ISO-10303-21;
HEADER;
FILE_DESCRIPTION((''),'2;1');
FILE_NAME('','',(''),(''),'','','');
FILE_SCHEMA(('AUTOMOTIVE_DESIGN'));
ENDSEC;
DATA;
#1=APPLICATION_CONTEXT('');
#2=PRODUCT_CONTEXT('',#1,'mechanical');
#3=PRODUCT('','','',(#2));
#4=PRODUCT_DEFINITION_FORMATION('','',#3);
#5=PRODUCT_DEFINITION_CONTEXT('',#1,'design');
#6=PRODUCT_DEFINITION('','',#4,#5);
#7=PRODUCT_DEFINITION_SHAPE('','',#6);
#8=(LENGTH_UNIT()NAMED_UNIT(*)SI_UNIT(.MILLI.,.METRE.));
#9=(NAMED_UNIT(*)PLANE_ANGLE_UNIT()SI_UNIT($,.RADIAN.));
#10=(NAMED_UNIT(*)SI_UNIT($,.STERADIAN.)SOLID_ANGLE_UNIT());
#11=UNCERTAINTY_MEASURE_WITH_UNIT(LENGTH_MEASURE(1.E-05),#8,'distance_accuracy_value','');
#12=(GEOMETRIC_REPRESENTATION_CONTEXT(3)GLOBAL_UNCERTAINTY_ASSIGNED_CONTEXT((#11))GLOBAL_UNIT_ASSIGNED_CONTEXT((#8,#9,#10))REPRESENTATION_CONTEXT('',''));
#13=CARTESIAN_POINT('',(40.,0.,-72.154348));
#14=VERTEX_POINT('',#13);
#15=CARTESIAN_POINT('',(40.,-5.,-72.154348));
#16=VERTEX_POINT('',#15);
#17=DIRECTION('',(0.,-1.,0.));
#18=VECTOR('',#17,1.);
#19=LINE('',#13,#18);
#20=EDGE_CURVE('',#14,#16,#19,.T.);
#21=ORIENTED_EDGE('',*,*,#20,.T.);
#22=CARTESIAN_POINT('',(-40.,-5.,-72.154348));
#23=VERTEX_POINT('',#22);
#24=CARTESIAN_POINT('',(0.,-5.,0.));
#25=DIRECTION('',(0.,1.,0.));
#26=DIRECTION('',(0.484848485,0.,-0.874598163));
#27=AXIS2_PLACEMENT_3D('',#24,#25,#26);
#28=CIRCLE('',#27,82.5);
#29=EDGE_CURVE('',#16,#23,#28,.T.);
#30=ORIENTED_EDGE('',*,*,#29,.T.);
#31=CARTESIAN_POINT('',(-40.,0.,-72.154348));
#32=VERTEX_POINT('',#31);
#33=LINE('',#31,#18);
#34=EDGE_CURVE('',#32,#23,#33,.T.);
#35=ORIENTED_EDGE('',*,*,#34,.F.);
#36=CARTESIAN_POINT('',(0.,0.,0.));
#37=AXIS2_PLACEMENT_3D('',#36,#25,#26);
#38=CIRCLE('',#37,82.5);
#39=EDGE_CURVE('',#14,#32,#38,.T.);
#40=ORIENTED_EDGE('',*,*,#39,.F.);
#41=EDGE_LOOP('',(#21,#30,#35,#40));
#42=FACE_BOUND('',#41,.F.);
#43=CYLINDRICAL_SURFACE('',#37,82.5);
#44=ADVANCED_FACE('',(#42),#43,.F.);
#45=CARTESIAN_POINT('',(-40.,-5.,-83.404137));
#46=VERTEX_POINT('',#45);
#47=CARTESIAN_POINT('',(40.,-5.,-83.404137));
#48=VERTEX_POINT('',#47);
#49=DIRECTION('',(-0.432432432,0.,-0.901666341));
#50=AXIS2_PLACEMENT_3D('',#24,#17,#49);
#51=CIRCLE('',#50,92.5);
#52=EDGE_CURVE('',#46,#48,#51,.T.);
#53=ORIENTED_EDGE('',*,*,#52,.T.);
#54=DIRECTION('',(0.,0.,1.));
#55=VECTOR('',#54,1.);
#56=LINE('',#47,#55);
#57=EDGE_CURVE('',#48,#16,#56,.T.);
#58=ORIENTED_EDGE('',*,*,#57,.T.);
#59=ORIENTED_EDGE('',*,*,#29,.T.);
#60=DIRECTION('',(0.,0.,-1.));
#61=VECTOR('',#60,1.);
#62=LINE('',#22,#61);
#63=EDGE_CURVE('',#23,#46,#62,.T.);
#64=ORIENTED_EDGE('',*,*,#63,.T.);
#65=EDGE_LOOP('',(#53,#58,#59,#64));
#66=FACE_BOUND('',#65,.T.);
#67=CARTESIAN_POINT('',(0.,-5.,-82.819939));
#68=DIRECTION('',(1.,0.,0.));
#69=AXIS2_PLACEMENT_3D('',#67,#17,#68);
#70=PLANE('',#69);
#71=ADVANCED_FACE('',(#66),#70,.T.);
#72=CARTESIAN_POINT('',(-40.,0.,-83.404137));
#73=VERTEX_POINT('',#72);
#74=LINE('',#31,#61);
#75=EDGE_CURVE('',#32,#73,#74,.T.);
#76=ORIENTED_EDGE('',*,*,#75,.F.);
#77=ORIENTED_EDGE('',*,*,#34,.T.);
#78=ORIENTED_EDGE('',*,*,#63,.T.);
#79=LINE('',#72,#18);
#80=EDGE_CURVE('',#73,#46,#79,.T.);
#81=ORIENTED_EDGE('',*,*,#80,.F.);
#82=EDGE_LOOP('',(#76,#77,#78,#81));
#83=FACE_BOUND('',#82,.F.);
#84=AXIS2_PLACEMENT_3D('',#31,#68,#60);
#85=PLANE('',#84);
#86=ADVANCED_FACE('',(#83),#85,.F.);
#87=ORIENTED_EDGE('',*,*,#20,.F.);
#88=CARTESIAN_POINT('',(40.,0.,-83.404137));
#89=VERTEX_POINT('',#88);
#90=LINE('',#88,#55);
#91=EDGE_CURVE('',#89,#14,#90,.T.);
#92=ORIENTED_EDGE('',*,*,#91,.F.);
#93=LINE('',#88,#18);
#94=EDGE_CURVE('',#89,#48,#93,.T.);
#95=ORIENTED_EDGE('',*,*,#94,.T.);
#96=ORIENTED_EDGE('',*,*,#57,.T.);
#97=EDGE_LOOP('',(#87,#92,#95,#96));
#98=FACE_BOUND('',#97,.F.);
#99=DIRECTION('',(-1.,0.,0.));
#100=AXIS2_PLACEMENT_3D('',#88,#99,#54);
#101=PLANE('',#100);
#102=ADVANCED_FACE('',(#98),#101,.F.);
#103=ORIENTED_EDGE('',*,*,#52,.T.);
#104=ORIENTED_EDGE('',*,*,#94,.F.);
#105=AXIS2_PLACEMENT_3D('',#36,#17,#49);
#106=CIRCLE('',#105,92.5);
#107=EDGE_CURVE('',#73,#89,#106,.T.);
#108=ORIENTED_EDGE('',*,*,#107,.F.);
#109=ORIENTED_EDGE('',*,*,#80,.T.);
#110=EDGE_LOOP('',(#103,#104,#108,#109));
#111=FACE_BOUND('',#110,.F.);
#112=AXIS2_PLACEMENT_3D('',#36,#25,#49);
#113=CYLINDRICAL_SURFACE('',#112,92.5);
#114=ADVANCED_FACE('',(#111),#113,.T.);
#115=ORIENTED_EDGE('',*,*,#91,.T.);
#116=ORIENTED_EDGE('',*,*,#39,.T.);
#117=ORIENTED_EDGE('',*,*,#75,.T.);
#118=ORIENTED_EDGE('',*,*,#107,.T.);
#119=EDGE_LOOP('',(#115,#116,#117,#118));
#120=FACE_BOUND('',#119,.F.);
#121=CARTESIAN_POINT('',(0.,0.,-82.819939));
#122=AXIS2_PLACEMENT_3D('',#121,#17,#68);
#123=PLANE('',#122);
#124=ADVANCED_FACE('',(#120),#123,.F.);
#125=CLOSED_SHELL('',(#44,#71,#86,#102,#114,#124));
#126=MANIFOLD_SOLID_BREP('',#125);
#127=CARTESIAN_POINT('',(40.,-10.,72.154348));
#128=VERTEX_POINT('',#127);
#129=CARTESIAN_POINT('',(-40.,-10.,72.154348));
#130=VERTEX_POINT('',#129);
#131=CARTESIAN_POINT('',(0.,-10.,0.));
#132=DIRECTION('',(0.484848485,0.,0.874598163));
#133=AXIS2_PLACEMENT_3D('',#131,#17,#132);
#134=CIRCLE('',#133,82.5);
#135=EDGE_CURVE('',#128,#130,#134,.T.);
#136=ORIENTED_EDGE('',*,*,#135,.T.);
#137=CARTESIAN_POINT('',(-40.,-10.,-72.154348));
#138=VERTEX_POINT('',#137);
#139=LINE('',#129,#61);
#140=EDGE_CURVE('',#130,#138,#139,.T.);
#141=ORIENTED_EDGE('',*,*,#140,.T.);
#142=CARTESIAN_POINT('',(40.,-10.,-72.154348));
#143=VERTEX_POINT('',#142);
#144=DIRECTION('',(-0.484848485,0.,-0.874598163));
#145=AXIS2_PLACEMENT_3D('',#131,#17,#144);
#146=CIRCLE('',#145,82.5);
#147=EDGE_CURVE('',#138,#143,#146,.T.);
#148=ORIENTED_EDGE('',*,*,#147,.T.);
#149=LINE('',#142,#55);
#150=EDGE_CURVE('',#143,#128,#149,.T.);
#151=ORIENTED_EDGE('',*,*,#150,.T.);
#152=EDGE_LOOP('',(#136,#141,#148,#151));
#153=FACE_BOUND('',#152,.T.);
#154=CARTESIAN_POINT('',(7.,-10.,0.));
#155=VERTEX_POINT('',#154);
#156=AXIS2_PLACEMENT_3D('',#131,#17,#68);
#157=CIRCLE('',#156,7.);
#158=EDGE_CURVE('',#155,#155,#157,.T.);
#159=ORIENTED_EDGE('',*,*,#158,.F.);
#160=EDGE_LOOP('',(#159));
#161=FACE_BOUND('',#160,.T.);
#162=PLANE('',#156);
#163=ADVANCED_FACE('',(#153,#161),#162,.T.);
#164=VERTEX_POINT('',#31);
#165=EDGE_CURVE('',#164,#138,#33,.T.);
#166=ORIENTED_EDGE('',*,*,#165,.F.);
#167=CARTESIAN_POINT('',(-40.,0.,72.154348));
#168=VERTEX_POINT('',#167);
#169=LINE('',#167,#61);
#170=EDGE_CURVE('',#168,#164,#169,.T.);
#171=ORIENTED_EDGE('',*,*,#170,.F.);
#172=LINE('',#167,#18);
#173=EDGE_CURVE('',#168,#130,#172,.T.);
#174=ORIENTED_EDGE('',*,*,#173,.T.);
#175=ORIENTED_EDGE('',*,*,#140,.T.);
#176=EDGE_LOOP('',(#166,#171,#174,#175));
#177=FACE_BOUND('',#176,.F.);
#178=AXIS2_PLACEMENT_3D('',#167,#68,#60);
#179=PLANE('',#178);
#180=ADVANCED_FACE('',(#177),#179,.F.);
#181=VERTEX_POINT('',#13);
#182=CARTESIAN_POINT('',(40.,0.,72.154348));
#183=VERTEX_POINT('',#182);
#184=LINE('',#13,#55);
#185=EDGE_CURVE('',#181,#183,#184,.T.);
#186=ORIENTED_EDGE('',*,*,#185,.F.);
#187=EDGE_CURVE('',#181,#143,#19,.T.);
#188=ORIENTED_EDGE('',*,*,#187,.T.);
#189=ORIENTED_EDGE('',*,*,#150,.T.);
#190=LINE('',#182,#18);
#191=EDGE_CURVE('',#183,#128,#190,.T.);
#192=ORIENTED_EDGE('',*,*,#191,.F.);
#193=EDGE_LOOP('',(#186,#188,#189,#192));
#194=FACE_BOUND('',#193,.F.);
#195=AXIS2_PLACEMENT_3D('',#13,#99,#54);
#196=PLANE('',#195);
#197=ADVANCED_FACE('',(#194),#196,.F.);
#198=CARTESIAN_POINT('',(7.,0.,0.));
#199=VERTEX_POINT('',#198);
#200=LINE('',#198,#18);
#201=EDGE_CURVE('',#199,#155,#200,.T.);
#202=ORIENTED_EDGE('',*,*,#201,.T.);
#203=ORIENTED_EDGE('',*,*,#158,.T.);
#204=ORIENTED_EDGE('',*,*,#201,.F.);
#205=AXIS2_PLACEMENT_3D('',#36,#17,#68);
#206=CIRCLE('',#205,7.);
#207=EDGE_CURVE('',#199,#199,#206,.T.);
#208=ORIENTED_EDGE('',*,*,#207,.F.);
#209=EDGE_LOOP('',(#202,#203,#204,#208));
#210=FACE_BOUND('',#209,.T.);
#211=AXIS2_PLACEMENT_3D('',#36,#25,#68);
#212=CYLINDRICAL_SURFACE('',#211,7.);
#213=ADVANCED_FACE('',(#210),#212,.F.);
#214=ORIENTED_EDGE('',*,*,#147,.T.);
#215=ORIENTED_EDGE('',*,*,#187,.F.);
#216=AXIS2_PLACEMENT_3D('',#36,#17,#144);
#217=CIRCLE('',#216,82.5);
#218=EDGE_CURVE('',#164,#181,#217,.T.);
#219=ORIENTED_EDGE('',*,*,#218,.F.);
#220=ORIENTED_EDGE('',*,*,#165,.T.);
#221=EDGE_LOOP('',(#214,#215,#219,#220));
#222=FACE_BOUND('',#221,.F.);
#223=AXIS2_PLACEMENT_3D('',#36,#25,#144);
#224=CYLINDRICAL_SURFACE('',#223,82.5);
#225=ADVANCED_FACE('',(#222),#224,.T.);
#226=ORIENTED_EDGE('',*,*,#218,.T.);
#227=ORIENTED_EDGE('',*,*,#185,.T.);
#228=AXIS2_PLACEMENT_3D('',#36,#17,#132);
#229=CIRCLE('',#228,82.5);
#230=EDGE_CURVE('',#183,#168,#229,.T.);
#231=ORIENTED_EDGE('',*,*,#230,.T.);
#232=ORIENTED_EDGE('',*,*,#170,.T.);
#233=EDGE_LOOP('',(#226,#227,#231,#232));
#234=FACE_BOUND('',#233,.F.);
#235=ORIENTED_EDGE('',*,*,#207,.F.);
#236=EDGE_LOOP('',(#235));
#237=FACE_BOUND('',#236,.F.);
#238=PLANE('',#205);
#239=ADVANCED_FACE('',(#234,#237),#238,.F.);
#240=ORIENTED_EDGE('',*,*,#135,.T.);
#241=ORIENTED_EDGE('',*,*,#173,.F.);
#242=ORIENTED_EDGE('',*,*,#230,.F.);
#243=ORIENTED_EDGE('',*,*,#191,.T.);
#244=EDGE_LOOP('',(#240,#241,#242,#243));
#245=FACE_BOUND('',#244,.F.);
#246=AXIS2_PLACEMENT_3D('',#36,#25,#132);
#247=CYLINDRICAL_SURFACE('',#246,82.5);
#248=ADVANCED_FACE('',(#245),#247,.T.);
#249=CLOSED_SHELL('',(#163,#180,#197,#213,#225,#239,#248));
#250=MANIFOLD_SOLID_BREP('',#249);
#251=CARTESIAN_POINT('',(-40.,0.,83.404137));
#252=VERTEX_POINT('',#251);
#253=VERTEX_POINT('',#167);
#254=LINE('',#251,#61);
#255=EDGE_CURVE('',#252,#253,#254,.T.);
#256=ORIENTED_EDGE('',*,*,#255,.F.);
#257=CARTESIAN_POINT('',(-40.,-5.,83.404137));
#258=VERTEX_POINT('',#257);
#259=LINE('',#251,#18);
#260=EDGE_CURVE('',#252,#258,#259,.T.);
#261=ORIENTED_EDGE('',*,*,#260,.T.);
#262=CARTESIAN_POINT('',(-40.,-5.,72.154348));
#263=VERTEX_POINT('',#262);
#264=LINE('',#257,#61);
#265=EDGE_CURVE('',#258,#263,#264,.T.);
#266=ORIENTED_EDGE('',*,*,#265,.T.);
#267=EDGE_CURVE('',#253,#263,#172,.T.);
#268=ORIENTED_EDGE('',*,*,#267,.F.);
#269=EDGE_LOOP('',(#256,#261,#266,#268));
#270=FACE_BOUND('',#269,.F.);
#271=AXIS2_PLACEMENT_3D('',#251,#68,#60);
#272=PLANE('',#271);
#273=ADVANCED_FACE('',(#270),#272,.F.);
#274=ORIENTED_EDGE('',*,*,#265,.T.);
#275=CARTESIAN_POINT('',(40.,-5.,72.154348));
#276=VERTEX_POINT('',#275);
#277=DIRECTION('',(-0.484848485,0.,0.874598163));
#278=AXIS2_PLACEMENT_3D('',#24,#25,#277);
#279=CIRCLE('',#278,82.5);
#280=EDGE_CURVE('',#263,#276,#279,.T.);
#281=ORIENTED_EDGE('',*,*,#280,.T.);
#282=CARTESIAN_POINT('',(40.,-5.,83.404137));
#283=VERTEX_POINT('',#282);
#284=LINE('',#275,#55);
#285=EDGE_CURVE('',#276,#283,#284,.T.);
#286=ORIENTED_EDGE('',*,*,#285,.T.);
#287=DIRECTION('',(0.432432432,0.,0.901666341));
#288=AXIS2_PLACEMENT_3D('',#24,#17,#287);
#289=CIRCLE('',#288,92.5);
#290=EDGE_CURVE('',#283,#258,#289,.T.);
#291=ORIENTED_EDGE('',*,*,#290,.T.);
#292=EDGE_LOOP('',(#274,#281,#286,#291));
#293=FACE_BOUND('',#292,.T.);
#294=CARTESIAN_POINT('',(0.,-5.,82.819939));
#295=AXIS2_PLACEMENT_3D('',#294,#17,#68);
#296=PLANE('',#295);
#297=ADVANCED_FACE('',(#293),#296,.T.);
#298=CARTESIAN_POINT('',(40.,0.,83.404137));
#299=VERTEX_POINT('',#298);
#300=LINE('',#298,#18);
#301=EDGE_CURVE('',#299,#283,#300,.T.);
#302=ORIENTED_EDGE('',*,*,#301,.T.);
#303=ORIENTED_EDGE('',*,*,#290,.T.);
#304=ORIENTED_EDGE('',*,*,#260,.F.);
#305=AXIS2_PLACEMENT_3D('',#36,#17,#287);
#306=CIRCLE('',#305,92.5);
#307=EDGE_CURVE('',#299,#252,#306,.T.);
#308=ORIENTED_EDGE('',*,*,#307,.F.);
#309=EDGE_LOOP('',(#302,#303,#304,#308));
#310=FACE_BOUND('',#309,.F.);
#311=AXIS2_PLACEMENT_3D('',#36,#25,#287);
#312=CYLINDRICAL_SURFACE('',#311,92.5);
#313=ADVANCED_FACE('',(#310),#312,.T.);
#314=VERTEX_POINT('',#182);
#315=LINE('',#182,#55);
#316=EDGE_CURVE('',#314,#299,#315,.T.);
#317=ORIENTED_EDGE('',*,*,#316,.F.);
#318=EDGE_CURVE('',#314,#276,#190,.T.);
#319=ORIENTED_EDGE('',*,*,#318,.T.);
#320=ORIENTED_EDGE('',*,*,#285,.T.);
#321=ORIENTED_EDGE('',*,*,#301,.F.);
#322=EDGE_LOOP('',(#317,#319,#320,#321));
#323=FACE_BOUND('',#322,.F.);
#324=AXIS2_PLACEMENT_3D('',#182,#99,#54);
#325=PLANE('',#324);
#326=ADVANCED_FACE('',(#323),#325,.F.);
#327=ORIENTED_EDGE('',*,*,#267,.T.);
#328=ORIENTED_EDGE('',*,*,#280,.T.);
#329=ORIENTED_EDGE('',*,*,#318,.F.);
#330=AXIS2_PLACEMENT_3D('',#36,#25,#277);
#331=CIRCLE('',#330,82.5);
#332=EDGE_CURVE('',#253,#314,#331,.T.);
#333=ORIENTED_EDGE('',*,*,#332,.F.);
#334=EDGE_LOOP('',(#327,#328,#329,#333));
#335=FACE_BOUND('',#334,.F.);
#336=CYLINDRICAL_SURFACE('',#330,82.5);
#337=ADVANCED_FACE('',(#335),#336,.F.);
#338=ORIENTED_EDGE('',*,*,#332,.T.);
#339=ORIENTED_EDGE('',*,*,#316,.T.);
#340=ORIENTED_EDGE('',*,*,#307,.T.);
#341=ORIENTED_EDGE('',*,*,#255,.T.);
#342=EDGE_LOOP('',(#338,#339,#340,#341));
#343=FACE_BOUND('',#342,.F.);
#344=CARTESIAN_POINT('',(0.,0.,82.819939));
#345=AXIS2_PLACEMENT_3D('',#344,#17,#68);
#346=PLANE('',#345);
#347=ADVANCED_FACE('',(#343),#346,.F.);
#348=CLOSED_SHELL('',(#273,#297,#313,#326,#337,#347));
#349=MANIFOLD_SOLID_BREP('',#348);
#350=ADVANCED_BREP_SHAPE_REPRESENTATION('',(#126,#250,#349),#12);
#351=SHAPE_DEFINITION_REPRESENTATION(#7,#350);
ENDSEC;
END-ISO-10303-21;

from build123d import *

# Parameters (mm, degrees)
F1_DEPTH = 5
F0_R     = 7
F2_DEPTH = 10


with BuildPart() as f1:
    # F0 (on Front) → F1 (new body)
    with BuildSketch(Plane.XZ):
        with BuildLine():
            Line((40, 72.1543484483), (40, 83.4041365881))
            ThreePointArc((40, 83.4041365881), (0, 92.5), (-40, 83.4041365881))
            Line((-40, 83.4041365881), (-40, 72.1543484483))
            ThreePointArc((-40, 72.1543484483), (0, 82.5), (40, 72.1543484483))
        make_face()
    extrude(amount=F1_DEPTH)


with BuildPart() as f1b:
    # F0 (on Front) → F1, piece 2 (new body)
    with BuildSketch(Plane.XZ):
        with BuildLine():
            ThreePointArc((-40, -83.4041365881), (0, -92.5), (40, -83.4041365881))
            Line((40, -83.4041365881), (40, -72.1543484483))
            ThreePointArc((40, -72.1543484483), (0, -82.5), (-40, -72.1543484483))
            Line((-40, -72.1543484483), (-40, -83.4041365881))
        make_face()
    extrude(amount=F1_DEPTH)


with BuildPart() as f2:
    # F0 (on Front) → F2 (new body)
    with BuildSketch(Plane.XZ):
        with BuildLine():
            Line((40, -72.1543484483), (40, 72.1543484483))
            ThreePointArc((40, 72.1543484483), (0, 82.5), (-40, 72.1543484483))
            Line((-40, 72.1543484483), (-40, -72.1543484483))
            ThreePointArc((-40, -72.1543484483), (0, -82.5), (40, -72.1543484483))
        make_face()
        Circle(F0_R, mode=Mode.SUBTRACT)
    extrude(amount=F2_DEPTH)


solid = Compound([f1.part, f1b.part, f2.part])
